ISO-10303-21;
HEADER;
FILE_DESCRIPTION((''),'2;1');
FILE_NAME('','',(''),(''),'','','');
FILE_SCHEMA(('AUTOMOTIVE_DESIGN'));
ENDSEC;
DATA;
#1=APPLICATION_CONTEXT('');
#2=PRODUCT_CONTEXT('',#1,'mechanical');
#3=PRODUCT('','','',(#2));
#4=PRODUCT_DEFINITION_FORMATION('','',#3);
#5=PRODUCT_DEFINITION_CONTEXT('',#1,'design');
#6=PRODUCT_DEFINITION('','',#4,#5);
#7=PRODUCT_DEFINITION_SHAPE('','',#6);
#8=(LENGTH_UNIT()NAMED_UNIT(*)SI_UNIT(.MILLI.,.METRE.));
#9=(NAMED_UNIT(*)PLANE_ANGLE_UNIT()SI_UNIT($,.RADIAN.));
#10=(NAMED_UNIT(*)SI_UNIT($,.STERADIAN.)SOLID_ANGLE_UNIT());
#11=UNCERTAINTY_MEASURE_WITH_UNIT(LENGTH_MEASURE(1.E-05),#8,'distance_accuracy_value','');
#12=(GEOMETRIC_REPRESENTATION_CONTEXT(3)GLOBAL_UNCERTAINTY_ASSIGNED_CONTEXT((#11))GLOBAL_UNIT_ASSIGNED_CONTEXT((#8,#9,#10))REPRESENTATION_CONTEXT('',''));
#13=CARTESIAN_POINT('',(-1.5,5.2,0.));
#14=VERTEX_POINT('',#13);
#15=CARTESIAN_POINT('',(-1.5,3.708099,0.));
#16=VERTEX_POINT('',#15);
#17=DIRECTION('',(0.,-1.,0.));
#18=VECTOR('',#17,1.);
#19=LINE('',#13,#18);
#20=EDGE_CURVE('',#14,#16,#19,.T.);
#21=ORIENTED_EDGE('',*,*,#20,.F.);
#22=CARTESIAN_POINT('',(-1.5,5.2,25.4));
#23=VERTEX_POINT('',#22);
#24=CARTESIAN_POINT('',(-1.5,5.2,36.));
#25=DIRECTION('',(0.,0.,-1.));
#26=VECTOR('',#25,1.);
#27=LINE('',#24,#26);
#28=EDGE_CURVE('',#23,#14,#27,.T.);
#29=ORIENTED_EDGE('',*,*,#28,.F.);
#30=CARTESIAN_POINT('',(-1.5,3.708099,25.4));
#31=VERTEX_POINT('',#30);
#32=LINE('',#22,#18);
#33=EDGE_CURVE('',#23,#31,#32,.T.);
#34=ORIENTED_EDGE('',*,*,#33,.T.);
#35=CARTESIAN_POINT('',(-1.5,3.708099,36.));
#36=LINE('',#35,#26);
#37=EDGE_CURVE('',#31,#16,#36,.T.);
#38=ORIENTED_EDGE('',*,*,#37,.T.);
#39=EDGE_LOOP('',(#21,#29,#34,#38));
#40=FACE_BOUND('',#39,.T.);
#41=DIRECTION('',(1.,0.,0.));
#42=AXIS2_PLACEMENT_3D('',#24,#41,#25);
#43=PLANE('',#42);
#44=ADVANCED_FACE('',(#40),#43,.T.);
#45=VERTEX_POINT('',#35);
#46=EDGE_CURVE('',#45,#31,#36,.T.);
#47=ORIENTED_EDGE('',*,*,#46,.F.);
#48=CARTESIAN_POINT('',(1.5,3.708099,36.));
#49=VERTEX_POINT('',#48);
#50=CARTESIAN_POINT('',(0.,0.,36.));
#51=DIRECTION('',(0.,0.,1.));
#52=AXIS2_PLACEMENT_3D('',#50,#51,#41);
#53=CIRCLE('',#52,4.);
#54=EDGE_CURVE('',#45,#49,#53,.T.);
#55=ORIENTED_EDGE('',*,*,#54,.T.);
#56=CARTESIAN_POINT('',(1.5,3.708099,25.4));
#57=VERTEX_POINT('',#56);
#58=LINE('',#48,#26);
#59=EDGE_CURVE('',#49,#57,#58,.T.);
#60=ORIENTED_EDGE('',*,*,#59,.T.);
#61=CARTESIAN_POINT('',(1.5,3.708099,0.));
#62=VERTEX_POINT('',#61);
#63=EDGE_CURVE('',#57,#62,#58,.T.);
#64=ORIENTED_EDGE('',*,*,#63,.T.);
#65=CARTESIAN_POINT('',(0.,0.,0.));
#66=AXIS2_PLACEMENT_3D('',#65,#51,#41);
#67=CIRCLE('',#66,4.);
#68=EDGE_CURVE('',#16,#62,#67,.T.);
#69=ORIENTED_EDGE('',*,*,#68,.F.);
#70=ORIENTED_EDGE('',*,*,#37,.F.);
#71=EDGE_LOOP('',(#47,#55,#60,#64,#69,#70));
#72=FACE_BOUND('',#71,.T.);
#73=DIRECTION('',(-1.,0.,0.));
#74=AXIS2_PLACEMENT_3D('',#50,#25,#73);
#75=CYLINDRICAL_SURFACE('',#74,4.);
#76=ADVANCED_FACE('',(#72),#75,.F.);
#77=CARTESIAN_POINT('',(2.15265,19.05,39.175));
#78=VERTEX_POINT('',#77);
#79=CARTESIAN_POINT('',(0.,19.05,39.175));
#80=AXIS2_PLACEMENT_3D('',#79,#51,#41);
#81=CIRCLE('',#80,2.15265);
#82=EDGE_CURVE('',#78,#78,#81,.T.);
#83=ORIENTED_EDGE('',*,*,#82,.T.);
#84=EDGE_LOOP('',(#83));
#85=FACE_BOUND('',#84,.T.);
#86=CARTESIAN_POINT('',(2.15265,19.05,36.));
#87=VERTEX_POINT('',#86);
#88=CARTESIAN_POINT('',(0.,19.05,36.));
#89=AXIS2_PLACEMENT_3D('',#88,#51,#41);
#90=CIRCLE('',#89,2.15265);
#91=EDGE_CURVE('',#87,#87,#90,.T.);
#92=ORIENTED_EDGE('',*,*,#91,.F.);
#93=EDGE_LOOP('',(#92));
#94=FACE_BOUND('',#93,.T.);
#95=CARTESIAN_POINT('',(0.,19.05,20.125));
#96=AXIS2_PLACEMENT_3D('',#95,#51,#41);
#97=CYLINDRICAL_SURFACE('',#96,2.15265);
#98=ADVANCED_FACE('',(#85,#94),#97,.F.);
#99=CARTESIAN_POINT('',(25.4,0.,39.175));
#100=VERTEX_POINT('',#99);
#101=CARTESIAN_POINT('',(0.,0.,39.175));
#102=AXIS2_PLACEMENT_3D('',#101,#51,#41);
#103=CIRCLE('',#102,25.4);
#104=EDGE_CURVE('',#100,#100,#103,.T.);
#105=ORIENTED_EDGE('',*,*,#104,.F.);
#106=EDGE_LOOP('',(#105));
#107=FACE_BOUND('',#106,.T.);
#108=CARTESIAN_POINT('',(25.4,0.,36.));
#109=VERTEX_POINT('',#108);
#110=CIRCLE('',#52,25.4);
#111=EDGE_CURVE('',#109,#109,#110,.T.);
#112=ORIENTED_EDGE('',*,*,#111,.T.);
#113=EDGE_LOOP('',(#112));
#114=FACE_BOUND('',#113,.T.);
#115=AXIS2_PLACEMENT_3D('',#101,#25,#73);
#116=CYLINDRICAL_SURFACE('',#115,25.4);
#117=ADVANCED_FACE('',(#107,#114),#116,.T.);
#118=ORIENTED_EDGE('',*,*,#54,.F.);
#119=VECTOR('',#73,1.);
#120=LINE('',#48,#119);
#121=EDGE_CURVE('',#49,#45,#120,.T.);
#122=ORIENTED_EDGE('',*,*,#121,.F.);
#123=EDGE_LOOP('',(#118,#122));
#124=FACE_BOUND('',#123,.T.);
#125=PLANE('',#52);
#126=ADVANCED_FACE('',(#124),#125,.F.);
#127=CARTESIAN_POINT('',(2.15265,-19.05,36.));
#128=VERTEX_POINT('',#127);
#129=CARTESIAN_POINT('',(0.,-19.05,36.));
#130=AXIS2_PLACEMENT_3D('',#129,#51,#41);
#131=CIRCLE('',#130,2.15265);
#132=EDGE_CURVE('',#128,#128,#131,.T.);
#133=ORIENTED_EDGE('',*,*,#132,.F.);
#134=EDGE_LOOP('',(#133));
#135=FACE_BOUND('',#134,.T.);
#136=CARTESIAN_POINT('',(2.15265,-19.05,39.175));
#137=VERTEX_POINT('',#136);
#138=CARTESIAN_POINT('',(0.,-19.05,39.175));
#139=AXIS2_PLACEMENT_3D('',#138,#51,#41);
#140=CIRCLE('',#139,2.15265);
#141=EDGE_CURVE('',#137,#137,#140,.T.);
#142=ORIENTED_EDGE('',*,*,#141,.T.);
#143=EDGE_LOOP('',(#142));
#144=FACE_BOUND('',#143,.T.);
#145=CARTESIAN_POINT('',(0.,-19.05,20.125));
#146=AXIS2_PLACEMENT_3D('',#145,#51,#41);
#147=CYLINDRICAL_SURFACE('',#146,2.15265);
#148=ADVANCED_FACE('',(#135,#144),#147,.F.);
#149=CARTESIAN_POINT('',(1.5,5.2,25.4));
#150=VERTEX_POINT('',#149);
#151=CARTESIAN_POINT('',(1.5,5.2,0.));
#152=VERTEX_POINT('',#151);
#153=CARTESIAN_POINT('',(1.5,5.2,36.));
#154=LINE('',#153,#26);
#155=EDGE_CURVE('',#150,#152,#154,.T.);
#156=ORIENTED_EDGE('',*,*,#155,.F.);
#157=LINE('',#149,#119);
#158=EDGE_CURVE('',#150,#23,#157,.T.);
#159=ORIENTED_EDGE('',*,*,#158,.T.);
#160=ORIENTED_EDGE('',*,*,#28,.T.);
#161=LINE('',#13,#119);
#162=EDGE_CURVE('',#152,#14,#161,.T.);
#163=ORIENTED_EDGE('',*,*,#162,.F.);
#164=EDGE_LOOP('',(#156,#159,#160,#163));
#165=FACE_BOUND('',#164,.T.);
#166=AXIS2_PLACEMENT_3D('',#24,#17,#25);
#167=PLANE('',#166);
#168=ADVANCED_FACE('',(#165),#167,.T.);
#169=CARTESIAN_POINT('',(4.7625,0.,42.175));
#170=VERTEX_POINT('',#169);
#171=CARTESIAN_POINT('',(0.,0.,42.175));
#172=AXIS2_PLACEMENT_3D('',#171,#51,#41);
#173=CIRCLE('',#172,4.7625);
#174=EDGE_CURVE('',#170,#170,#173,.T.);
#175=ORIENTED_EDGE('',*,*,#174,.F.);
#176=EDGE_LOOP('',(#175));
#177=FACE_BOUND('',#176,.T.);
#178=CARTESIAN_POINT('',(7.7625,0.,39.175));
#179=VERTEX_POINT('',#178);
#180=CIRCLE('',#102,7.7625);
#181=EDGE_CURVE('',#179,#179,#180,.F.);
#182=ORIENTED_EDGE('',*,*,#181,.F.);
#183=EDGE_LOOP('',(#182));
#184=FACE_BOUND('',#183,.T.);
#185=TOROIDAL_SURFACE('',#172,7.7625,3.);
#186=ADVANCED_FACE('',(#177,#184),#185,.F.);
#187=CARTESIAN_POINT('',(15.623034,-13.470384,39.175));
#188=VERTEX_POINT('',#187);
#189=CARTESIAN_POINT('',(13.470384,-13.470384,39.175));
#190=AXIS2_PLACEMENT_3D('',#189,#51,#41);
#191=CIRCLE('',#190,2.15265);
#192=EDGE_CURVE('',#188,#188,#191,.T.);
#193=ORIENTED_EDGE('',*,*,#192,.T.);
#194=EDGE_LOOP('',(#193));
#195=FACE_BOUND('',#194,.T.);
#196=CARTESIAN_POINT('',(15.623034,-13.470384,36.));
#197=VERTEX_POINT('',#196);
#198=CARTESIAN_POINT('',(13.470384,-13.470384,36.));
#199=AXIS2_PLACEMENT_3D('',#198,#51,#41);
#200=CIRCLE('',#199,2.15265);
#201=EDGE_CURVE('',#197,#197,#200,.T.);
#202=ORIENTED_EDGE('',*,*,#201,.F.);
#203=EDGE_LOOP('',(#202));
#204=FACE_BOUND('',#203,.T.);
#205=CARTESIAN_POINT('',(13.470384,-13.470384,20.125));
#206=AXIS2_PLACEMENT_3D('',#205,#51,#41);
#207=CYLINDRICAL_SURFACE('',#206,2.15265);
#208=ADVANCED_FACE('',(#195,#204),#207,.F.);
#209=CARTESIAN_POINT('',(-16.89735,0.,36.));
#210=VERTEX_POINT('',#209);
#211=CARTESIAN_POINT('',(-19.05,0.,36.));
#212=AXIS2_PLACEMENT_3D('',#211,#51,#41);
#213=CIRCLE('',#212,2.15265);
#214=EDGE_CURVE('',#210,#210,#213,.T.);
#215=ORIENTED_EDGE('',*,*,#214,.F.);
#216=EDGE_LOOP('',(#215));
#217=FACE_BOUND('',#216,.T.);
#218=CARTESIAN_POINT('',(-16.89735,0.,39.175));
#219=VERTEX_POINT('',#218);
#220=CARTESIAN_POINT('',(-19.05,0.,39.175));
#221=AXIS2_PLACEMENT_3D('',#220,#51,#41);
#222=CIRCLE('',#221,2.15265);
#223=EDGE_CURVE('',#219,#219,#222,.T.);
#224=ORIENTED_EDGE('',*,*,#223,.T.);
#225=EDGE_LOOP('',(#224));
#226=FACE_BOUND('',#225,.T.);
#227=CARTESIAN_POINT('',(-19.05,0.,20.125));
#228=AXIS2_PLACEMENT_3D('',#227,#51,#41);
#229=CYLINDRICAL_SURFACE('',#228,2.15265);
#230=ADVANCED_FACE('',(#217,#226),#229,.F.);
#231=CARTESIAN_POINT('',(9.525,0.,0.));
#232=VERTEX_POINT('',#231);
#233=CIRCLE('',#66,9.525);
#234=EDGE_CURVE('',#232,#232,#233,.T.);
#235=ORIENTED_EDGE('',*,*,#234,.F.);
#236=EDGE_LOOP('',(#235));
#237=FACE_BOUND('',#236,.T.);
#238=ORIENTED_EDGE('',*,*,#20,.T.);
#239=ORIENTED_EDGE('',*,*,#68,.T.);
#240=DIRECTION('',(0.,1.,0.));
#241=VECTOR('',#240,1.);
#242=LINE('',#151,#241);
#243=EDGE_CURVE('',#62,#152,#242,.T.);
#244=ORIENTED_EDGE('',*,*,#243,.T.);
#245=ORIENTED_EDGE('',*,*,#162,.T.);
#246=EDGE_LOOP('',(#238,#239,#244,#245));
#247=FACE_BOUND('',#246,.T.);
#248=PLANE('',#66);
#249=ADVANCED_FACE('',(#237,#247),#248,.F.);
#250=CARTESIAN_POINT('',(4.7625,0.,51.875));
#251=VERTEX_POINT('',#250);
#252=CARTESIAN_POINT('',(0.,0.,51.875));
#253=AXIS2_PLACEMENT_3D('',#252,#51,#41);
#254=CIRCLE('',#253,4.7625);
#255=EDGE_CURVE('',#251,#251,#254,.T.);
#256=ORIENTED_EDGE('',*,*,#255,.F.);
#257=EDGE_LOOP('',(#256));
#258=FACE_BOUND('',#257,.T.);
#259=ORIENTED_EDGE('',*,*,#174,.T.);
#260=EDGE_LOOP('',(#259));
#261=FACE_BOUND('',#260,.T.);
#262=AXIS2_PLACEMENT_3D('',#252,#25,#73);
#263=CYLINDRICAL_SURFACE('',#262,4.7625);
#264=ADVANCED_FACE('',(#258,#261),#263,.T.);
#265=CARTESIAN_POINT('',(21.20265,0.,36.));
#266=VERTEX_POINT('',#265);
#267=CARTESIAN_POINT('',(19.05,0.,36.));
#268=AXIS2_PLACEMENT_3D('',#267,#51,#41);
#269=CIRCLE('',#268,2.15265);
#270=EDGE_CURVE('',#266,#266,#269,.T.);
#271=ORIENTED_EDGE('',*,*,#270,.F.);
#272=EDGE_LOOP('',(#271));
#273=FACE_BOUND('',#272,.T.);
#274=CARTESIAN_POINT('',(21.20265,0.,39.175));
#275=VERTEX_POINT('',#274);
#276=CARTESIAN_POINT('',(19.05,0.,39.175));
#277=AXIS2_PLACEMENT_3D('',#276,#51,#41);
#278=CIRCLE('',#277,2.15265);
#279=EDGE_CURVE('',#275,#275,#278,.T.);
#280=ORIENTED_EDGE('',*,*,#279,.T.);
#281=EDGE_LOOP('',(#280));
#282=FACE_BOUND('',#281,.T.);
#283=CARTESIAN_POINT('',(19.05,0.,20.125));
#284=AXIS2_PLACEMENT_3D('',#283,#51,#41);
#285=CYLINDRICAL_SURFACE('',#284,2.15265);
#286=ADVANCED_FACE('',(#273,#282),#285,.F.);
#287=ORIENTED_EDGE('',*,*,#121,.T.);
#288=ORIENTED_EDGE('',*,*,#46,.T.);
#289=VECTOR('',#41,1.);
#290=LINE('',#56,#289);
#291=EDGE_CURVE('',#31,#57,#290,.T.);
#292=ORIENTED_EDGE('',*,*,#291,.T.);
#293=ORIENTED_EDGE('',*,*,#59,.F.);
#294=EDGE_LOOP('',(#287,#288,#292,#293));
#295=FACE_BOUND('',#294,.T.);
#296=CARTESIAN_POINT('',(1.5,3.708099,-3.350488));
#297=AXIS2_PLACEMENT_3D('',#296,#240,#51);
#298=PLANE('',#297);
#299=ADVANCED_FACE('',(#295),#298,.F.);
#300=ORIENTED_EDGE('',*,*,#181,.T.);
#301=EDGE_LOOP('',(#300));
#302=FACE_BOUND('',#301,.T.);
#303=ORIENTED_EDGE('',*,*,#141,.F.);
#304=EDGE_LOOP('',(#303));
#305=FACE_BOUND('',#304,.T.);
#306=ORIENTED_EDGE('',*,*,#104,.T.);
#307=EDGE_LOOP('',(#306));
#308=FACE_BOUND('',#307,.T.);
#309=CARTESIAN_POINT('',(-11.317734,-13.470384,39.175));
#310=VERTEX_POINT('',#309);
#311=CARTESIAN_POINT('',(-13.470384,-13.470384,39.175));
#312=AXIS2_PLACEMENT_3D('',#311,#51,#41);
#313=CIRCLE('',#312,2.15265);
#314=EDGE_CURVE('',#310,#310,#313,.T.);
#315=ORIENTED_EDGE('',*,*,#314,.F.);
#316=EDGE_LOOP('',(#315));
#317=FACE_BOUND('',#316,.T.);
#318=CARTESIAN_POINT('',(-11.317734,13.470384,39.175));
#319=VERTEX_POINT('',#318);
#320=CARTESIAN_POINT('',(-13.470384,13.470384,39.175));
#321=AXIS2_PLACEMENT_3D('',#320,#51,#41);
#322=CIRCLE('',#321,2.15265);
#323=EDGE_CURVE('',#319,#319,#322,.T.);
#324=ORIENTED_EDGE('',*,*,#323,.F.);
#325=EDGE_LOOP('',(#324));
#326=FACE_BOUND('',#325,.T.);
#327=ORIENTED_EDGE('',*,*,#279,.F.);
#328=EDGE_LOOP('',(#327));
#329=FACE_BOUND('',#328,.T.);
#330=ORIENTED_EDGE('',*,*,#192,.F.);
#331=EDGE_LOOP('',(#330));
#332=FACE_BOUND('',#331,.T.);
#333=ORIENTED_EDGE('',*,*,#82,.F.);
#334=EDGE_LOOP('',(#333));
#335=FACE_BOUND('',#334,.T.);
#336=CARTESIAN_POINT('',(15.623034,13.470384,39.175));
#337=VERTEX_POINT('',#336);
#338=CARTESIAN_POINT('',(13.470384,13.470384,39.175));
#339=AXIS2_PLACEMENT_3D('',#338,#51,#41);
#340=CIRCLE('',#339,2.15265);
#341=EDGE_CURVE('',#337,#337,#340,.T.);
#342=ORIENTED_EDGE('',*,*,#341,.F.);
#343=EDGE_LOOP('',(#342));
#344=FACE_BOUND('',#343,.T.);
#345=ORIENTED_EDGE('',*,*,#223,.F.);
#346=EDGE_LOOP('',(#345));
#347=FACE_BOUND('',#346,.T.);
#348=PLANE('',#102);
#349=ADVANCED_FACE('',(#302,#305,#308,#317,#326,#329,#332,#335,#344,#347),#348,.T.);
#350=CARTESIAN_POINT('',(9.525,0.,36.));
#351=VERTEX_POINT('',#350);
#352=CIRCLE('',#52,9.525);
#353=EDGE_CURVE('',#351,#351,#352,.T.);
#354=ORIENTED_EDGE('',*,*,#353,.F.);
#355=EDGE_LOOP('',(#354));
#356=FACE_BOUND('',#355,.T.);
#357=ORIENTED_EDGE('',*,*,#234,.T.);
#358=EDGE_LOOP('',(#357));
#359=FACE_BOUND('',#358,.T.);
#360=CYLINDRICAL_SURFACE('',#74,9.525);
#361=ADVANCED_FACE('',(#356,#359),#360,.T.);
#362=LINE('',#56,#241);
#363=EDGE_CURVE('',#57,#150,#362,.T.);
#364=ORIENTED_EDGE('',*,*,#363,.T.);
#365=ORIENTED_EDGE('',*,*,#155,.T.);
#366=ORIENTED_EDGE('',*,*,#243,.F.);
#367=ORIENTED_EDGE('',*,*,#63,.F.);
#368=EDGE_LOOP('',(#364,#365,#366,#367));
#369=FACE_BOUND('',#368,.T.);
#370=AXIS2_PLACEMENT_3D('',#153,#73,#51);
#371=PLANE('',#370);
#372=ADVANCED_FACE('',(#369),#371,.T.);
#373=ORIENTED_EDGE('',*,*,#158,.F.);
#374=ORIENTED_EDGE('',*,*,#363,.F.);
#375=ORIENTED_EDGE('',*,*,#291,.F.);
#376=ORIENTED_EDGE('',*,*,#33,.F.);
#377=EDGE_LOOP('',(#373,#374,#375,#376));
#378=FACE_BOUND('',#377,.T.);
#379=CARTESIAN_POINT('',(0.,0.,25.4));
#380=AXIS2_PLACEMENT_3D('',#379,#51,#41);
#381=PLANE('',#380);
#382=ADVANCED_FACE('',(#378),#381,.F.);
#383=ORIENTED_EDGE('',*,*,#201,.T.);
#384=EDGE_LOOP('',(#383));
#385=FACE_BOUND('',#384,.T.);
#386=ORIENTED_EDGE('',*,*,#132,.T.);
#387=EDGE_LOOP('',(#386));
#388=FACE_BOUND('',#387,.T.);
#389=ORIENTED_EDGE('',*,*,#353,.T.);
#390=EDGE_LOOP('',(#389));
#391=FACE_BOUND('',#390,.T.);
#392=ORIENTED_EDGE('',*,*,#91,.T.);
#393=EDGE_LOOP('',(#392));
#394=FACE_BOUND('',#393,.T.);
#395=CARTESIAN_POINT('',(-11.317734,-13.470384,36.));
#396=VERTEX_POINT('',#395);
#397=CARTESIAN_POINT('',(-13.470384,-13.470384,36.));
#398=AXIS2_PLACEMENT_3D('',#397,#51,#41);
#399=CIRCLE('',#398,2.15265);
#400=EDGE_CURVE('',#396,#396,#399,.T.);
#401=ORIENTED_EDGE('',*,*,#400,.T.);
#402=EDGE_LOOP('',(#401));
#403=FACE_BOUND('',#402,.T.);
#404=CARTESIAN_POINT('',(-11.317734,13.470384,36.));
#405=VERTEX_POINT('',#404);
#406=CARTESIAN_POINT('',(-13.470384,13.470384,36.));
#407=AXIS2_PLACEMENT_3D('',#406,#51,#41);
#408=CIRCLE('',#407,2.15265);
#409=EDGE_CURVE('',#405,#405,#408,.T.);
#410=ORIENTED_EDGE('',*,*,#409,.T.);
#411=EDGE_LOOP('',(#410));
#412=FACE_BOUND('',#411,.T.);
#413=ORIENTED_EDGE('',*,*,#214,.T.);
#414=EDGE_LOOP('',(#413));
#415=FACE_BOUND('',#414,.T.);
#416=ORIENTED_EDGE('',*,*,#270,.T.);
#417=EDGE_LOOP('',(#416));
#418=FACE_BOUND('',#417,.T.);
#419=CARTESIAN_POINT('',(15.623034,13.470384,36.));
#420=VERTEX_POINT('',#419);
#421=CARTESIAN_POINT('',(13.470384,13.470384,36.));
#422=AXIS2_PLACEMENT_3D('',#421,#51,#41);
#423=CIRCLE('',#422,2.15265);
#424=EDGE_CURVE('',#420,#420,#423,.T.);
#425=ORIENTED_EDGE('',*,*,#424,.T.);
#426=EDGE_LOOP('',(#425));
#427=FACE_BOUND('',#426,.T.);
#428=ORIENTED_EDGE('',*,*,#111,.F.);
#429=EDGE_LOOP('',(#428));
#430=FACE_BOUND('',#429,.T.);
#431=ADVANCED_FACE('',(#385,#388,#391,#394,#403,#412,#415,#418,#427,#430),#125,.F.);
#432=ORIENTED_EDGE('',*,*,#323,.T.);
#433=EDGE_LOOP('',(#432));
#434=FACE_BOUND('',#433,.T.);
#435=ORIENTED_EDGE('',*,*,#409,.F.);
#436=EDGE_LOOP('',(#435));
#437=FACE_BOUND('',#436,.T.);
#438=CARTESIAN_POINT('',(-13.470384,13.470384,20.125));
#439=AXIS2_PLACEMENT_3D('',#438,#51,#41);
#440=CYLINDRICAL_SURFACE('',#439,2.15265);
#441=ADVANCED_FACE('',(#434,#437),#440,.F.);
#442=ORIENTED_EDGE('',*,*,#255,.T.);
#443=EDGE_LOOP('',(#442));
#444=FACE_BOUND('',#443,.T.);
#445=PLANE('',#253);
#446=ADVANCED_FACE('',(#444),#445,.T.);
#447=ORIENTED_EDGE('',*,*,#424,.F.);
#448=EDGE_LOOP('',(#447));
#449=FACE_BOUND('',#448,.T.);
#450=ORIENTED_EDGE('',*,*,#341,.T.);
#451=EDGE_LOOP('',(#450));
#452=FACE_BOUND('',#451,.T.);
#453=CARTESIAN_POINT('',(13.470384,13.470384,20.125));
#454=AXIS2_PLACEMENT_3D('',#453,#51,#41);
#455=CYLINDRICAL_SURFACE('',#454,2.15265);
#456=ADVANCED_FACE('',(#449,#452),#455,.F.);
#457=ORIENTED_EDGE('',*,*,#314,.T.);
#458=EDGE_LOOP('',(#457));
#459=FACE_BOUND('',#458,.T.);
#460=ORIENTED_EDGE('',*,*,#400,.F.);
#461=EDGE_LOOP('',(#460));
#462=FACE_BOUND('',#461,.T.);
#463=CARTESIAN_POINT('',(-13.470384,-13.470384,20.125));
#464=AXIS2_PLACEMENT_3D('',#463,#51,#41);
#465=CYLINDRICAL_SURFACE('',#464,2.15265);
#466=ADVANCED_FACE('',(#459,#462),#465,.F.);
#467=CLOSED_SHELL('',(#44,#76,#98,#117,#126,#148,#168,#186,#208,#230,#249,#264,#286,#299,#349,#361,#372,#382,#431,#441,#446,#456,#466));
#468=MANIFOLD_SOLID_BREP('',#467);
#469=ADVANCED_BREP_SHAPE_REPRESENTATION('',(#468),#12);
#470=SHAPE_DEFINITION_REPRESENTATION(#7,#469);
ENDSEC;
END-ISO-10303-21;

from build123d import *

# Parameters (mm, degrees)
SKETCH1_R           = 9.525
BOSS_EXTRUDE1_DEPTH = 36
SKETCH2_R           = 25.4
BOSS_EXTRUDE2_DEPTH = 3.175
SKETCH3_R           = 4.7625
BOSS_EXTRUDE3_DEPTH = 12.7
SKETCH4_R           = 2.15265
CUT_EXTRUDE1_DEPTH  = 19.05
FILLET1_R           = 3
SKETCH5_W           = 3
SKETCH5_H           = 1.491900756
BOSS_EXTRUDE4_DEPTH = 10.6


with BuildPart() as part:
    # Sketch1 → Boss-Extrude1 (new body)
    with BuildSketch(Plane.XY):
        Circle(SKETCH1_R)
        with BuildLine():
            Line((-1.5, 5.2), (1.5, 5.2))
            Line((1.5, 5.2), (1.5, 3.708099244))
            ThreePointArc((1.5, 3.708099244), (0, -4), (-1.5, 3.708099244))
            Line((-1.5, 3.708099244), (-1.5, 5.2))
        make_face(mode=Mode.SUBTRACT)
    extrude(amount=BOSS_EXTRUDE1_DEPTH)

    # Sketch2 → Boss-Extrude2 (add)
    with BuildSketch(Plane.XY.offset(36)):
        Circle(SKETCH2_R)
    extrude(amount=BOSS_EXTRUDE2_DEPTH)

    # Sketch3 → Boss-Extrude3 (add)
    with BuildSketch(Plane.XY.offset(39.175)):
        Circle(SKETCH3_R)
    extrude(amount=BOSS_EXTRUDE3_DEPTH)

    # Sketch4 → Cut-Extrude1 (cut)
    with BuildSketch(Plane.XY.offset(39.175)):
        with Locations((0, 19.05)):
            Circle(SKETCH4_R)
        with Locations((13.470384182, 13.470384182)):
            Circle(SKETCH4_R)
        with Locations((19.05, 0)):
            Circle(SKETCH4_R)
        with Locations((13.470384182, -13.470384182)):
            Circle(SKETCH4_R)
        with Locations((-19.05, 0)):
            Circle(SKETCH4_R)
        with Locations((0, -19.05)):
            Circle(SKETCH4_R)
        with Locations((-13.470384182, -13.470384182)):
            Circle(SKETCH4_R)
        with Locations((-13.470384182, 13.470384182)):
            Circle(SKETCH4_R)
    extrude(amount=-CUT_EXTRUDE1_DEPTH, mode=Mode.SUBTRACT)

    # Fillet1
    fillet1_edges = [part.edges().sort_by_distance(p)[0] for p in [
        (-4.7625, 0, 39.175),
    ]]
    fillet(fillet1_edges, radius=FILLET1_R)

    # Sketch5 → Boss-Extrude4 (add)
    with BuildSketch(Plane(origin=(0, 0, 36), x_dir=(-1, 0, 0), z_dir=(0, 0, -1))):
        with Locations((0, 4.454049622)):
            Rectangle(SKETCH5_W, SKETCH5_H)
    extrude(amount=BOSS_EXTRUDE4_DEPTH)


solid = part.part
